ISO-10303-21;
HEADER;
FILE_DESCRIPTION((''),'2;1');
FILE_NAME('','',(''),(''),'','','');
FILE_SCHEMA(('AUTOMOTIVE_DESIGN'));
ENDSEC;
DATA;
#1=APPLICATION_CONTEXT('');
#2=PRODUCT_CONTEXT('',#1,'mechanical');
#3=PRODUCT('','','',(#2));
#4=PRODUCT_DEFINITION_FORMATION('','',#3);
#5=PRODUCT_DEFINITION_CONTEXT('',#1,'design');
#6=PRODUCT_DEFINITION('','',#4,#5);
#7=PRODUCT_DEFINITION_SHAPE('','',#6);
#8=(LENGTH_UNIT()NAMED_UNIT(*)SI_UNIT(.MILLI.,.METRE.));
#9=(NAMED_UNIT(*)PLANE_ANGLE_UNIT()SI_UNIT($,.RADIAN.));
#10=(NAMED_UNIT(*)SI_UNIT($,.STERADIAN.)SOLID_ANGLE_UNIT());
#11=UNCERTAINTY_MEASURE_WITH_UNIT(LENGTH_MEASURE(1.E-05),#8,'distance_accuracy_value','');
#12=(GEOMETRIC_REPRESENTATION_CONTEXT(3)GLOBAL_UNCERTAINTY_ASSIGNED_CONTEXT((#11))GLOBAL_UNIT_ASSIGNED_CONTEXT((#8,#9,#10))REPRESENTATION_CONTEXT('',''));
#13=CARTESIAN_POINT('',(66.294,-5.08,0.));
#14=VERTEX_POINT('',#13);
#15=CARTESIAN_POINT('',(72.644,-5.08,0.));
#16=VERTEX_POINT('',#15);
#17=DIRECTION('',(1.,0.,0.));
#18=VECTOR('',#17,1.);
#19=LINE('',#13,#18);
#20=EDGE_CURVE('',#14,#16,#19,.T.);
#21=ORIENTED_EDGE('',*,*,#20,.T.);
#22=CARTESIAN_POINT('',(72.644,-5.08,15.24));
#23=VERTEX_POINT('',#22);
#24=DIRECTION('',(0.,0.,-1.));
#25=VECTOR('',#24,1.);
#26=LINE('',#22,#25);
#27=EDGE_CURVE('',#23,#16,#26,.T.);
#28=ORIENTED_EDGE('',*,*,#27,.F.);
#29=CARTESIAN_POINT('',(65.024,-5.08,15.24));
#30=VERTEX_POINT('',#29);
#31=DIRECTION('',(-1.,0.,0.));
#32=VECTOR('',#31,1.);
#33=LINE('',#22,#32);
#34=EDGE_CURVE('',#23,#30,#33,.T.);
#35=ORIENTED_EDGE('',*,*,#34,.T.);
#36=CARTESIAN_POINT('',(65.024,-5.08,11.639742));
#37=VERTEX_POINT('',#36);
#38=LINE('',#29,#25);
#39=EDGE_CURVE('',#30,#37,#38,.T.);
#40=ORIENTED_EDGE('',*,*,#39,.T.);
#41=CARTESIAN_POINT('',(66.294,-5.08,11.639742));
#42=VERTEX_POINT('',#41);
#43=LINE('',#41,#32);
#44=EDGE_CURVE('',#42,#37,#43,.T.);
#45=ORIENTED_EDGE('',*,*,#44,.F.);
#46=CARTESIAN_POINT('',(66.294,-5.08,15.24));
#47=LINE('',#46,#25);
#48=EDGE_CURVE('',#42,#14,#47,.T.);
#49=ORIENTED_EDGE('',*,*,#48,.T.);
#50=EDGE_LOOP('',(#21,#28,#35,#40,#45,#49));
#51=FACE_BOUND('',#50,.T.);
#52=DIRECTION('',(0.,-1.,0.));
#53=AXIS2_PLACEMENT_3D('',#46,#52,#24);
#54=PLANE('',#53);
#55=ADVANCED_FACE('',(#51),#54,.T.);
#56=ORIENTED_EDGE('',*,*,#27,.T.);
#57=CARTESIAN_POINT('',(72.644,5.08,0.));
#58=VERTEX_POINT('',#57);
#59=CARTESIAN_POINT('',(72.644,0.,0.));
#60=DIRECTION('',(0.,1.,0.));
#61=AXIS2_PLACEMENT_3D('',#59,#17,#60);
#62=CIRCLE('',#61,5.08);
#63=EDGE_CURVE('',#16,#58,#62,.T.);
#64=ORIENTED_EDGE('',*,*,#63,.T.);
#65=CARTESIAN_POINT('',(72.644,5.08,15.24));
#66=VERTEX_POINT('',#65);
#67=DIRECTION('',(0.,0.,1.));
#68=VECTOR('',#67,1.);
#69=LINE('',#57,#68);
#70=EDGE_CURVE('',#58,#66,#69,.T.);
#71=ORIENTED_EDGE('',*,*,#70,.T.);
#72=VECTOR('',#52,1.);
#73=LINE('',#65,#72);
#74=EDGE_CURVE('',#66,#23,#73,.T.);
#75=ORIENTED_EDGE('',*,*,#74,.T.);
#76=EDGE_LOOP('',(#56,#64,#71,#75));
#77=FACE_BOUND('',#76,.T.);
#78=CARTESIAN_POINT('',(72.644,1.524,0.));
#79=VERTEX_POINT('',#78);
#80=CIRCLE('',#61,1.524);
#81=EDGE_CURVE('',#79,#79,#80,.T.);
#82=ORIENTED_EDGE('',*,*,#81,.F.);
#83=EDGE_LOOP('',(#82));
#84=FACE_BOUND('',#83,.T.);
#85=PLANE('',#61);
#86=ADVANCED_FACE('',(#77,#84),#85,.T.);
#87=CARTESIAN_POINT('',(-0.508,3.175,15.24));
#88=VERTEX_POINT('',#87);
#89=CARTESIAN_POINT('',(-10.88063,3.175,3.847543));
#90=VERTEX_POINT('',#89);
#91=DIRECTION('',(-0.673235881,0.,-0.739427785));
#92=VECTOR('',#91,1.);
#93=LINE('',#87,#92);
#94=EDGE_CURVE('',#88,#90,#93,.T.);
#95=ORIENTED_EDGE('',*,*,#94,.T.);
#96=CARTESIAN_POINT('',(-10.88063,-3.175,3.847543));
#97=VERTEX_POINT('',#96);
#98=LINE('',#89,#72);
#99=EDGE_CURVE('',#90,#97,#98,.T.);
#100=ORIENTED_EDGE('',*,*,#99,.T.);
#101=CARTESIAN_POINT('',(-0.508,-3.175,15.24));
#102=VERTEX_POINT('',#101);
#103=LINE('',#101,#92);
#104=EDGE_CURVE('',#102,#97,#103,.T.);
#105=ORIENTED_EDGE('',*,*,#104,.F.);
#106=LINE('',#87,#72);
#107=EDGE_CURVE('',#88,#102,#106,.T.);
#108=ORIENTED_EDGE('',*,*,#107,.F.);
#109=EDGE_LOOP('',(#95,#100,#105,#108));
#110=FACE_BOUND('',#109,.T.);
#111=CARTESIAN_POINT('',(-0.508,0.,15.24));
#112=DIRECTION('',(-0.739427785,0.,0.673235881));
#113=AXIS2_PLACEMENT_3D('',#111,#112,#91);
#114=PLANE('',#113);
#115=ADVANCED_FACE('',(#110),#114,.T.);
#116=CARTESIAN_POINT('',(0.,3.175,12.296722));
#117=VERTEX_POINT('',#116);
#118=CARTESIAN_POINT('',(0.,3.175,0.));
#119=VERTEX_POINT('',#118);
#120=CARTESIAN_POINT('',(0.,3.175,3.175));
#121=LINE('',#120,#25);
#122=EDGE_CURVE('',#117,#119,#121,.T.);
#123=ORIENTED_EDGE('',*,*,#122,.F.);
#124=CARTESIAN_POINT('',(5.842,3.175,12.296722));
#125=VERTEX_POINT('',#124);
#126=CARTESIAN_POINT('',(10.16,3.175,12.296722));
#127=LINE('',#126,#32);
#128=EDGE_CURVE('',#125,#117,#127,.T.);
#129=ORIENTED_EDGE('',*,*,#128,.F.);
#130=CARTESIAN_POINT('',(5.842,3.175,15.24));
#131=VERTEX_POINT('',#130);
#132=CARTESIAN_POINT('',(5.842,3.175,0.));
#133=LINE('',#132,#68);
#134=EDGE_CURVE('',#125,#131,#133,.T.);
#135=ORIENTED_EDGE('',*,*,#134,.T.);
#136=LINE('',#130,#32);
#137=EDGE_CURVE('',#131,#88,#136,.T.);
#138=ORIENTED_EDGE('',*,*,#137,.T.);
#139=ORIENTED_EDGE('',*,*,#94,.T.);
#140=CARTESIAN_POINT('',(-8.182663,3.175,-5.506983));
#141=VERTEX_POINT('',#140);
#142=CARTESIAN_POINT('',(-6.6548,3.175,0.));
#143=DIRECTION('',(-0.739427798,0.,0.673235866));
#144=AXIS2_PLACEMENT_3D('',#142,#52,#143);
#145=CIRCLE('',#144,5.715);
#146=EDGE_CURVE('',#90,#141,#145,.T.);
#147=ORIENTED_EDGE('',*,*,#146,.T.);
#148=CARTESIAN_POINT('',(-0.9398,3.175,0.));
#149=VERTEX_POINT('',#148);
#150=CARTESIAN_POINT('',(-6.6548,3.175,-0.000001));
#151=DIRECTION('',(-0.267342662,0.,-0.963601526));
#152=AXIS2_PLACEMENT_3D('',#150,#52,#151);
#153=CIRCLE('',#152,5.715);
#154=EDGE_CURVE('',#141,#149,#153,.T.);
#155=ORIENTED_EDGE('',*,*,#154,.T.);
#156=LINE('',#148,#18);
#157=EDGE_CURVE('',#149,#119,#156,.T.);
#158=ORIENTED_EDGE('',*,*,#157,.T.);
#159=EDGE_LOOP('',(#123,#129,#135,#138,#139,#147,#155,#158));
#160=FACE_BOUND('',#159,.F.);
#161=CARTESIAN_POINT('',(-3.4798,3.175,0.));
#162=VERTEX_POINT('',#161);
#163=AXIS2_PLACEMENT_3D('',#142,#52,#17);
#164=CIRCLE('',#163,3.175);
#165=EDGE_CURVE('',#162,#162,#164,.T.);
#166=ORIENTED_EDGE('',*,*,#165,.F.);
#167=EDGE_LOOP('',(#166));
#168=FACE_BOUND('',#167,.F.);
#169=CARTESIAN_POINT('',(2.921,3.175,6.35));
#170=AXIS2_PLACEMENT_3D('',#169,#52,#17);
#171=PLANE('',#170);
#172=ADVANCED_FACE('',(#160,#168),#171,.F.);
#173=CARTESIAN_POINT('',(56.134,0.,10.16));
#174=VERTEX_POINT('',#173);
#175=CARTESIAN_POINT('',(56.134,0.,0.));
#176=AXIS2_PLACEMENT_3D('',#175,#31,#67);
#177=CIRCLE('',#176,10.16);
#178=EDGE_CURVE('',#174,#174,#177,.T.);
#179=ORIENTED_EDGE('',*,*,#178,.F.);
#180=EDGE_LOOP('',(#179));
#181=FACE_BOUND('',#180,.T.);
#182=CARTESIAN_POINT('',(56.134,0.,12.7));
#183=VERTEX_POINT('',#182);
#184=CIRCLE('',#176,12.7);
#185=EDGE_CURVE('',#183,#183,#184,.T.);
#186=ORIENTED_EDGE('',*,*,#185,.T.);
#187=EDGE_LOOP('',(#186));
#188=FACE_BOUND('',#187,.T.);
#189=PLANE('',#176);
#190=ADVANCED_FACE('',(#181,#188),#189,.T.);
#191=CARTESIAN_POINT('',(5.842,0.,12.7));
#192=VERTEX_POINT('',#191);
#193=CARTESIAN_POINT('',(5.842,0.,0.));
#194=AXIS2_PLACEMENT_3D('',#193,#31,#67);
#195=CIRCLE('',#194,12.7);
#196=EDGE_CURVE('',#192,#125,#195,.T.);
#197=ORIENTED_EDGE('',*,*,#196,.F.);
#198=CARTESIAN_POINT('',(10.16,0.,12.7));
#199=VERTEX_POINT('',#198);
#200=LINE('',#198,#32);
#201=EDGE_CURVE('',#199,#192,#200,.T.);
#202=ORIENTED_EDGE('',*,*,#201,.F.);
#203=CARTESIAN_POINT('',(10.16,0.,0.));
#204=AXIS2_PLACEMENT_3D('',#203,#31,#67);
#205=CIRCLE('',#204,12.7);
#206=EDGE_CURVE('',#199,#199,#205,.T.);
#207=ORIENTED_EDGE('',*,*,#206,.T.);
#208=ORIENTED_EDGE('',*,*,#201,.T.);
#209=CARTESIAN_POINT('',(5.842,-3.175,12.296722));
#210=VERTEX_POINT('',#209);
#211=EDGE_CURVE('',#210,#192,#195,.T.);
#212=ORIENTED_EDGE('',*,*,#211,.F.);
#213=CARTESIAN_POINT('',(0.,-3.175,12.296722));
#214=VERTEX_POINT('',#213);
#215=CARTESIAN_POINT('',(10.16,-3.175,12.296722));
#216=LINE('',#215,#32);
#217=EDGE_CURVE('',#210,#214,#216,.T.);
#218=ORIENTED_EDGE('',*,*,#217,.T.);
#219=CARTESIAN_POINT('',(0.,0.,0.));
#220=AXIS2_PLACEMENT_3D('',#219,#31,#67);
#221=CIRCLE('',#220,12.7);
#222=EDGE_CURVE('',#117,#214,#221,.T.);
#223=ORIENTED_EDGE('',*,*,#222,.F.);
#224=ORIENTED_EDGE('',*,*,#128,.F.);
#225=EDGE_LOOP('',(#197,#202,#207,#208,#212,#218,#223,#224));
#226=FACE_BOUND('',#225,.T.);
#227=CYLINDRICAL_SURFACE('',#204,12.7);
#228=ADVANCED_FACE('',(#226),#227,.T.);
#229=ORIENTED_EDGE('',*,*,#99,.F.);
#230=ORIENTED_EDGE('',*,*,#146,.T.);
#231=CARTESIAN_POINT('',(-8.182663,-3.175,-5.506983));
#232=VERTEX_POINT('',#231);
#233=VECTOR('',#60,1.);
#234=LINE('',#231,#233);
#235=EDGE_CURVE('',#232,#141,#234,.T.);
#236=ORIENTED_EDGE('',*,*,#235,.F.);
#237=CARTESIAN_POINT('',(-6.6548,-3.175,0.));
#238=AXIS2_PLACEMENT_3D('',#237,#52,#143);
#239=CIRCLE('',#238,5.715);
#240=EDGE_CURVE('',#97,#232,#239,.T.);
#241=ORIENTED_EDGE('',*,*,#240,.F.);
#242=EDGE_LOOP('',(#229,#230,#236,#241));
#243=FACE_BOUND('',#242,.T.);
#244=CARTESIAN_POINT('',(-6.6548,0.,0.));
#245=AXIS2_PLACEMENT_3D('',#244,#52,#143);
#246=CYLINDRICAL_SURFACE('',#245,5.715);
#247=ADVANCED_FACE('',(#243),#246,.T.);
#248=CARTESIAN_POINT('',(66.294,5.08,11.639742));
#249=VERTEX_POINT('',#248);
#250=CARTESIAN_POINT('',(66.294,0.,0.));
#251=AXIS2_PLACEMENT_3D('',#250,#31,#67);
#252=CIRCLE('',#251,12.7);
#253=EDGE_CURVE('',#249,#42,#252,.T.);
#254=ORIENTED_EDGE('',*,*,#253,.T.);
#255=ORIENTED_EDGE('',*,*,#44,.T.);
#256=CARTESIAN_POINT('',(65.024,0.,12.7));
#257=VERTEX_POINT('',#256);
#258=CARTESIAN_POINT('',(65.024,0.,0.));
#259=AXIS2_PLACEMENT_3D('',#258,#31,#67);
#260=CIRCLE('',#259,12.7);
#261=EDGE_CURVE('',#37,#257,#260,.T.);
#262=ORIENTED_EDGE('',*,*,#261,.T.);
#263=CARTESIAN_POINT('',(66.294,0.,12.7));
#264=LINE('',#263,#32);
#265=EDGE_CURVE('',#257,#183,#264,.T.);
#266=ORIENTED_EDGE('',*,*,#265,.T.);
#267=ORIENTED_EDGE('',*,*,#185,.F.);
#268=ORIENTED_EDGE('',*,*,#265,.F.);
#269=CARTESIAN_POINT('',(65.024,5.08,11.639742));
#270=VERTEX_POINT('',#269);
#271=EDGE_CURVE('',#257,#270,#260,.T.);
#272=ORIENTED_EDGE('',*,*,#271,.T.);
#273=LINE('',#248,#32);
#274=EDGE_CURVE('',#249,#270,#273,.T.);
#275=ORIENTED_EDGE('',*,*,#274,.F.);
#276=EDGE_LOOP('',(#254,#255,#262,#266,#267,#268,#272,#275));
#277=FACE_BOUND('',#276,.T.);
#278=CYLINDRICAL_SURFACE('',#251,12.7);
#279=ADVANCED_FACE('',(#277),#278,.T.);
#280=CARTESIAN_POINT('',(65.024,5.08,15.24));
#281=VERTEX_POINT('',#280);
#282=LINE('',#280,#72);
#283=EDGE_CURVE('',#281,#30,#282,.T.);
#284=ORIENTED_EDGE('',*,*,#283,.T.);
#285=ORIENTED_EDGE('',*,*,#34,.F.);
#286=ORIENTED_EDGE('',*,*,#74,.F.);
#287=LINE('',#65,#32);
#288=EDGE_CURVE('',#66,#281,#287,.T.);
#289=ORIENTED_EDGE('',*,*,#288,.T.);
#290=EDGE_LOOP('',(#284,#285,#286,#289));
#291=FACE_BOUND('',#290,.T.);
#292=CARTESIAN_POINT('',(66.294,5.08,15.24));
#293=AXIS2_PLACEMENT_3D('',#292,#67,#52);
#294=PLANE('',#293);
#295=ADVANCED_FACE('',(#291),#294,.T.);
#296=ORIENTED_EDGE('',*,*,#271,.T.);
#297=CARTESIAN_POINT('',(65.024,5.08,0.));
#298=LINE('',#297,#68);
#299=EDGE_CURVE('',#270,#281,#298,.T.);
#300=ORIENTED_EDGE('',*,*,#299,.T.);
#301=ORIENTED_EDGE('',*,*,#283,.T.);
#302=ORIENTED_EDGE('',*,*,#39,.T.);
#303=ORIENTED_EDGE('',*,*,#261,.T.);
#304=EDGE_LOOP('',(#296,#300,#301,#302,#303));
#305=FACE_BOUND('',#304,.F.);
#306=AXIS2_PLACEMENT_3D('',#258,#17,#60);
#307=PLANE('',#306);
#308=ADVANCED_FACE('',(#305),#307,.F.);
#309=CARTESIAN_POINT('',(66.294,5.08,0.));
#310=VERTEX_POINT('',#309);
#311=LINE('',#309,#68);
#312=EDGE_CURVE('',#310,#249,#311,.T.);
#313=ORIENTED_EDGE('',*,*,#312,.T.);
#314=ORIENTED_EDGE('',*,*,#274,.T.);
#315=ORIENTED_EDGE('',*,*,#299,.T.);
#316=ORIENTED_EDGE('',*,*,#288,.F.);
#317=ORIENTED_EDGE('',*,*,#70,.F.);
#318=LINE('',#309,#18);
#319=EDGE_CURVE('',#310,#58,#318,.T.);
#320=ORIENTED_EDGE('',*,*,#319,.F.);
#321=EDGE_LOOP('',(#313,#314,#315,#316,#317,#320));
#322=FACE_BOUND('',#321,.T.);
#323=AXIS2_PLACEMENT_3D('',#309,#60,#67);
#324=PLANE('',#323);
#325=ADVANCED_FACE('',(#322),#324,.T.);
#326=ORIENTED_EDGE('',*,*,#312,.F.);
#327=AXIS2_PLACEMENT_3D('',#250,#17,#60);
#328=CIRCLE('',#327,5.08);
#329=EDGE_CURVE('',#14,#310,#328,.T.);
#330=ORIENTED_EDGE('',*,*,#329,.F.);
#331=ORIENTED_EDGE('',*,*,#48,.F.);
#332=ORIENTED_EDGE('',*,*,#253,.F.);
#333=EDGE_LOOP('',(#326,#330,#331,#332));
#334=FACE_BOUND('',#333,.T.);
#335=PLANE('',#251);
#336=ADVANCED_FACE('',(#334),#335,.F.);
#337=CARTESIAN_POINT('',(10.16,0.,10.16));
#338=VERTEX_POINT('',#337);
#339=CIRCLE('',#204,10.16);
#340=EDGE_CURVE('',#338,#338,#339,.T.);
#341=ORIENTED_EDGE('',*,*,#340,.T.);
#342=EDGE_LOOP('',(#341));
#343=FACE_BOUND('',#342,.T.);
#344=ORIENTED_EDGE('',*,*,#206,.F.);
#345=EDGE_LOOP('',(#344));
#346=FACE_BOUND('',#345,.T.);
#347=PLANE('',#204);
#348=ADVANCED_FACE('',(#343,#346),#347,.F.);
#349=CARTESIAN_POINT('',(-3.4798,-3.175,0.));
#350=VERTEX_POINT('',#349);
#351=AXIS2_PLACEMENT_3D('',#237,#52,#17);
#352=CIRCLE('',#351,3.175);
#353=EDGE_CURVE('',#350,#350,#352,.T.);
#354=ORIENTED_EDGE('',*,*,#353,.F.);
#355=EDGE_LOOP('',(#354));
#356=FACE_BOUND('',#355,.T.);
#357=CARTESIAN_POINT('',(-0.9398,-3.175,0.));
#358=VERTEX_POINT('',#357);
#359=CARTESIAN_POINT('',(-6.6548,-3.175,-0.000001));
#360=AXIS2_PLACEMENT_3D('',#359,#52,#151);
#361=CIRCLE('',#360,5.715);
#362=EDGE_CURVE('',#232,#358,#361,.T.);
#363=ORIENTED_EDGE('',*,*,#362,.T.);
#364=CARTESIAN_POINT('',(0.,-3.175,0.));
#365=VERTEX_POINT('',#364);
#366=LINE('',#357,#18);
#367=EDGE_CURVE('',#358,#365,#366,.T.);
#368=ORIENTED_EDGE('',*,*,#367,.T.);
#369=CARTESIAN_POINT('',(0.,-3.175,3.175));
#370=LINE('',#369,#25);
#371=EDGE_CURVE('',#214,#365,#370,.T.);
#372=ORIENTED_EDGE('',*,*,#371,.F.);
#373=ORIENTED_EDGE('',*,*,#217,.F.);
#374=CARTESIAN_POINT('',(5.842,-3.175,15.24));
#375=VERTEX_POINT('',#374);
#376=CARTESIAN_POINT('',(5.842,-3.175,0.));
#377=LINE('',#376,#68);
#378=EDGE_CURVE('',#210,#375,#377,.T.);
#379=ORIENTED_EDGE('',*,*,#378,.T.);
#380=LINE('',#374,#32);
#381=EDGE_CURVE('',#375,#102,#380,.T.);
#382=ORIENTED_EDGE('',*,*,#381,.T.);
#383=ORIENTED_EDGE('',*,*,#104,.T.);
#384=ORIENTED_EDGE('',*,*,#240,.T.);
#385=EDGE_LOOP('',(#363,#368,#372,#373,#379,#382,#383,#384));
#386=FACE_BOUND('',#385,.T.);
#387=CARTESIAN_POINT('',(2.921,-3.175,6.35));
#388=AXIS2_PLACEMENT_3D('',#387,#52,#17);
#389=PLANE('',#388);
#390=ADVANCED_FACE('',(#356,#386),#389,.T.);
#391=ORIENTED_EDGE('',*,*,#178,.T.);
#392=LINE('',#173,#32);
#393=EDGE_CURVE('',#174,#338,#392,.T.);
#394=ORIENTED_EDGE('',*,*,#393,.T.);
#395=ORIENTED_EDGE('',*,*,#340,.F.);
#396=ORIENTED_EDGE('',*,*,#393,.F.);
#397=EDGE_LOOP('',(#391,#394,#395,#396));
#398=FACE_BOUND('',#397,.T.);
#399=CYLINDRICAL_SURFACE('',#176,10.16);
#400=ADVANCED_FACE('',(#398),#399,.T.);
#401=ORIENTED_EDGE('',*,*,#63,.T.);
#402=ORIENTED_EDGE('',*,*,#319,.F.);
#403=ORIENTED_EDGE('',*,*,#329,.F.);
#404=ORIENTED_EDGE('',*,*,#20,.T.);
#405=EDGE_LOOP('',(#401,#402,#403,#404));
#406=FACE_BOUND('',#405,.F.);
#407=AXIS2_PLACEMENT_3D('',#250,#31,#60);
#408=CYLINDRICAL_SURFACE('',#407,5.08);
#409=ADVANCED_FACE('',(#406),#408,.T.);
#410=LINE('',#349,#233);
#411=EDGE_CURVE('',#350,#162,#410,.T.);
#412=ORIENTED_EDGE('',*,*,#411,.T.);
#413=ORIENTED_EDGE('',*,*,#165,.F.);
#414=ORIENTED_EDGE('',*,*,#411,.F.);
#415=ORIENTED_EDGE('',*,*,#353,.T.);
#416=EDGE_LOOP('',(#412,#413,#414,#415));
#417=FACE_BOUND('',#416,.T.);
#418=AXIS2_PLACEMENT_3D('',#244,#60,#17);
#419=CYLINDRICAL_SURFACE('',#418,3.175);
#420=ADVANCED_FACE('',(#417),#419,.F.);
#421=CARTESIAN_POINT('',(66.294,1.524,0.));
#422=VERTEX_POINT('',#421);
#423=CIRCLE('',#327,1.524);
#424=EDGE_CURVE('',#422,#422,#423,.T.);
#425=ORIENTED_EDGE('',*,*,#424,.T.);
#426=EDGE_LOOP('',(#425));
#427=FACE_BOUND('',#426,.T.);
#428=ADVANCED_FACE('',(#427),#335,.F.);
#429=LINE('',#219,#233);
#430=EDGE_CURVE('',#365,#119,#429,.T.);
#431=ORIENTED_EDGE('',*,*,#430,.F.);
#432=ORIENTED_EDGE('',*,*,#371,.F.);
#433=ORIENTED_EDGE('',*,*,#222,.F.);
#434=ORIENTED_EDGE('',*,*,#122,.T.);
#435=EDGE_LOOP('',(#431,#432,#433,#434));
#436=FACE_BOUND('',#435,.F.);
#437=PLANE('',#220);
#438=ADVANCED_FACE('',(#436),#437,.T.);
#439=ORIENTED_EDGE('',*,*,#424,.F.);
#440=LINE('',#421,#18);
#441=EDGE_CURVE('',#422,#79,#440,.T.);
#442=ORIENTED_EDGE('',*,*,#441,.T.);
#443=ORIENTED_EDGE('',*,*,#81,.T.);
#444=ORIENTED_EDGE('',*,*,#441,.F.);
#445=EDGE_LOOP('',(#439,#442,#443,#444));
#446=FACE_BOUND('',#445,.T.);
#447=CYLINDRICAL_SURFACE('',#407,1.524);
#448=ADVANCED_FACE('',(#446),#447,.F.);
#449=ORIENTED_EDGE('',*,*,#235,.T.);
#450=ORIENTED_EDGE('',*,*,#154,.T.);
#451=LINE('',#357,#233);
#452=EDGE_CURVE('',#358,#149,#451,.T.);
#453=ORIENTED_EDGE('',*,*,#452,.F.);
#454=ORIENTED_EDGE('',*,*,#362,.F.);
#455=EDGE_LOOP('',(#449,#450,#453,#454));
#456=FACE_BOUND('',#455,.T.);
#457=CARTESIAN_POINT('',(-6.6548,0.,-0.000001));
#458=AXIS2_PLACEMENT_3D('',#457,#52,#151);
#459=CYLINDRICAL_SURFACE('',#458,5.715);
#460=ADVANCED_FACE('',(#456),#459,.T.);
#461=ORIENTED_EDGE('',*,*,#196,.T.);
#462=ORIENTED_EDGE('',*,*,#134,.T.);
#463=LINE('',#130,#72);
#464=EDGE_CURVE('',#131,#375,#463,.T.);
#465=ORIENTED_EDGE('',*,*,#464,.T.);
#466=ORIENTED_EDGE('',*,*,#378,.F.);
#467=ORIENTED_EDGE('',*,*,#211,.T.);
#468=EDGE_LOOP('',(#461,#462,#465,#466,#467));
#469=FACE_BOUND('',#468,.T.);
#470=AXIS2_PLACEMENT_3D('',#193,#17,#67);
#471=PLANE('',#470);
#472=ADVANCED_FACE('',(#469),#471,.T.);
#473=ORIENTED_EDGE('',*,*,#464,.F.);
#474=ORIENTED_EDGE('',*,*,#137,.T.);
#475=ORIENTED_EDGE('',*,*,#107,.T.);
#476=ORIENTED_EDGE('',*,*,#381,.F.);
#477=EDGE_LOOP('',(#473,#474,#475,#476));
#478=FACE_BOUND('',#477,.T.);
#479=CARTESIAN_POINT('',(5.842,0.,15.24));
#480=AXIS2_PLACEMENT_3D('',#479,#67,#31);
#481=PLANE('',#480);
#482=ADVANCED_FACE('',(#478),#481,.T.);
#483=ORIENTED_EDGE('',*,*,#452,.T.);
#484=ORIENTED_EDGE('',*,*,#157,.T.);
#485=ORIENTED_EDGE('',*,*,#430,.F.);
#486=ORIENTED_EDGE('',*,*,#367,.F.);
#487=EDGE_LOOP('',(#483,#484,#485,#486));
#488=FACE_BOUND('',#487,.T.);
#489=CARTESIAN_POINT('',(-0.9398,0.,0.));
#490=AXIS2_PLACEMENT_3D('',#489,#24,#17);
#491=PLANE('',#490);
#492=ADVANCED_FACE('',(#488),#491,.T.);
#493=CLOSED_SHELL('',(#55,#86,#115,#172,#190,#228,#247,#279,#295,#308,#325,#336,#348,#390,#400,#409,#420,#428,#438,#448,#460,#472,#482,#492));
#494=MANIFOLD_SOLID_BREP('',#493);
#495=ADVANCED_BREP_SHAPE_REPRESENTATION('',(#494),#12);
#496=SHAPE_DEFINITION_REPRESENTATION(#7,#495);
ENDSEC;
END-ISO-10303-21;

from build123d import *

# Parameters (mm, degrees)
F0_W          = 5.842
F0_H          = 12.7
F0_R          = 3.175
F2_DEPTH      = 3.175
F3_R          = 1.524
F4_DEPTH      = 6.35
F4_DEPTH_BACK = 1.27


with BuildPart() as f1:
    # F0 (on Front) → F1 (revolve)
    with BuildSketch(Plane.XZ):
        Polygon((5.842, 12.7), (5.842, 0), (66.294, 0), (66.294, 12.7), (56.134, 12.7), (56.134, 10.16), (10.16, 10.16), (10.16, 12.7), align=None)
        with Locations((2.921, 6.35)):
            Rectangle(F0_W, F0_H)
    revolve(axis=Axis((33.147, 0, 0), (-1, 0, 0)))

    # F0 (on Front) → F2 (join, symmetric)
    with BuildSketch(Plane.XZ):
        with Locations((2.921, 6.35)):
            Rectangle(F0_W, F0_H)
        with BuildLine():
            Line((-0.9398, 0), (0, 0))
            Line((0, 0), (0, 12.7))
            Line((0, 12.7), (5.842, 12.7))
            Line((5.842, 12.7), (5.842, 15.24))
            Line((5.842, 15.24), (-0.508, 15.24))
            Line((-0.508, 15.24), (-10.88063, 3.847543))
            ThreePointArc((-10.88063, 3.847543), (-4.591961, 5.329721), (-0.9398, 0))
        make_face()
        with BuildLine():
            ThreePointArc((-8.182663, -5.506983), (-3.195791, -4.549339), (-0.9398, 0))
            ThreePointArc((-0.9398, 0), (-4.591961, 5.329721), (-10.88063, 3.847543))
            ThreePointArc((-10.88063, 3.847543), (-12.145978, -1.583727), (-8.182663, -5.506983))
        make_face()
        with Locations((-6.6548, 0)):
            Circle(F0_R, mode=Mode.SUBTRACT)
    extrude(amount=F2_DEPTH, both=True)

    # F3 (on face) → F4 (join, two sides)
    with BuildSketch(Plane.YZ.offset(66.294)) as f4_sk:
        with BuildLine():
            ThreePointArc((-5.08, 0), (0, -5.08), (5.08, 0))
            ThreePointArc((5.08, 0), (0, 5.08), (-5.08, 0))
        make_face()
        Circle(F3_R, mode=Mode.SUBTRACT)
        with BuildLine():
            ThreePointArc((-5.08, 0), (0, 5.08), (5.08, 0))
            Line((5.08, 0), (5.08, 15.24))
            Line((5.08, 15.24), (-5.08, 15.24))
            Line((-5.08, 15.24), (-5.08, 0))
        make_face()
    extrude(amount=F4_DEPTH)
    extrude(f4_sk.sketch, amount=-F4_DEPTH_BACK)


solid = f1.part
